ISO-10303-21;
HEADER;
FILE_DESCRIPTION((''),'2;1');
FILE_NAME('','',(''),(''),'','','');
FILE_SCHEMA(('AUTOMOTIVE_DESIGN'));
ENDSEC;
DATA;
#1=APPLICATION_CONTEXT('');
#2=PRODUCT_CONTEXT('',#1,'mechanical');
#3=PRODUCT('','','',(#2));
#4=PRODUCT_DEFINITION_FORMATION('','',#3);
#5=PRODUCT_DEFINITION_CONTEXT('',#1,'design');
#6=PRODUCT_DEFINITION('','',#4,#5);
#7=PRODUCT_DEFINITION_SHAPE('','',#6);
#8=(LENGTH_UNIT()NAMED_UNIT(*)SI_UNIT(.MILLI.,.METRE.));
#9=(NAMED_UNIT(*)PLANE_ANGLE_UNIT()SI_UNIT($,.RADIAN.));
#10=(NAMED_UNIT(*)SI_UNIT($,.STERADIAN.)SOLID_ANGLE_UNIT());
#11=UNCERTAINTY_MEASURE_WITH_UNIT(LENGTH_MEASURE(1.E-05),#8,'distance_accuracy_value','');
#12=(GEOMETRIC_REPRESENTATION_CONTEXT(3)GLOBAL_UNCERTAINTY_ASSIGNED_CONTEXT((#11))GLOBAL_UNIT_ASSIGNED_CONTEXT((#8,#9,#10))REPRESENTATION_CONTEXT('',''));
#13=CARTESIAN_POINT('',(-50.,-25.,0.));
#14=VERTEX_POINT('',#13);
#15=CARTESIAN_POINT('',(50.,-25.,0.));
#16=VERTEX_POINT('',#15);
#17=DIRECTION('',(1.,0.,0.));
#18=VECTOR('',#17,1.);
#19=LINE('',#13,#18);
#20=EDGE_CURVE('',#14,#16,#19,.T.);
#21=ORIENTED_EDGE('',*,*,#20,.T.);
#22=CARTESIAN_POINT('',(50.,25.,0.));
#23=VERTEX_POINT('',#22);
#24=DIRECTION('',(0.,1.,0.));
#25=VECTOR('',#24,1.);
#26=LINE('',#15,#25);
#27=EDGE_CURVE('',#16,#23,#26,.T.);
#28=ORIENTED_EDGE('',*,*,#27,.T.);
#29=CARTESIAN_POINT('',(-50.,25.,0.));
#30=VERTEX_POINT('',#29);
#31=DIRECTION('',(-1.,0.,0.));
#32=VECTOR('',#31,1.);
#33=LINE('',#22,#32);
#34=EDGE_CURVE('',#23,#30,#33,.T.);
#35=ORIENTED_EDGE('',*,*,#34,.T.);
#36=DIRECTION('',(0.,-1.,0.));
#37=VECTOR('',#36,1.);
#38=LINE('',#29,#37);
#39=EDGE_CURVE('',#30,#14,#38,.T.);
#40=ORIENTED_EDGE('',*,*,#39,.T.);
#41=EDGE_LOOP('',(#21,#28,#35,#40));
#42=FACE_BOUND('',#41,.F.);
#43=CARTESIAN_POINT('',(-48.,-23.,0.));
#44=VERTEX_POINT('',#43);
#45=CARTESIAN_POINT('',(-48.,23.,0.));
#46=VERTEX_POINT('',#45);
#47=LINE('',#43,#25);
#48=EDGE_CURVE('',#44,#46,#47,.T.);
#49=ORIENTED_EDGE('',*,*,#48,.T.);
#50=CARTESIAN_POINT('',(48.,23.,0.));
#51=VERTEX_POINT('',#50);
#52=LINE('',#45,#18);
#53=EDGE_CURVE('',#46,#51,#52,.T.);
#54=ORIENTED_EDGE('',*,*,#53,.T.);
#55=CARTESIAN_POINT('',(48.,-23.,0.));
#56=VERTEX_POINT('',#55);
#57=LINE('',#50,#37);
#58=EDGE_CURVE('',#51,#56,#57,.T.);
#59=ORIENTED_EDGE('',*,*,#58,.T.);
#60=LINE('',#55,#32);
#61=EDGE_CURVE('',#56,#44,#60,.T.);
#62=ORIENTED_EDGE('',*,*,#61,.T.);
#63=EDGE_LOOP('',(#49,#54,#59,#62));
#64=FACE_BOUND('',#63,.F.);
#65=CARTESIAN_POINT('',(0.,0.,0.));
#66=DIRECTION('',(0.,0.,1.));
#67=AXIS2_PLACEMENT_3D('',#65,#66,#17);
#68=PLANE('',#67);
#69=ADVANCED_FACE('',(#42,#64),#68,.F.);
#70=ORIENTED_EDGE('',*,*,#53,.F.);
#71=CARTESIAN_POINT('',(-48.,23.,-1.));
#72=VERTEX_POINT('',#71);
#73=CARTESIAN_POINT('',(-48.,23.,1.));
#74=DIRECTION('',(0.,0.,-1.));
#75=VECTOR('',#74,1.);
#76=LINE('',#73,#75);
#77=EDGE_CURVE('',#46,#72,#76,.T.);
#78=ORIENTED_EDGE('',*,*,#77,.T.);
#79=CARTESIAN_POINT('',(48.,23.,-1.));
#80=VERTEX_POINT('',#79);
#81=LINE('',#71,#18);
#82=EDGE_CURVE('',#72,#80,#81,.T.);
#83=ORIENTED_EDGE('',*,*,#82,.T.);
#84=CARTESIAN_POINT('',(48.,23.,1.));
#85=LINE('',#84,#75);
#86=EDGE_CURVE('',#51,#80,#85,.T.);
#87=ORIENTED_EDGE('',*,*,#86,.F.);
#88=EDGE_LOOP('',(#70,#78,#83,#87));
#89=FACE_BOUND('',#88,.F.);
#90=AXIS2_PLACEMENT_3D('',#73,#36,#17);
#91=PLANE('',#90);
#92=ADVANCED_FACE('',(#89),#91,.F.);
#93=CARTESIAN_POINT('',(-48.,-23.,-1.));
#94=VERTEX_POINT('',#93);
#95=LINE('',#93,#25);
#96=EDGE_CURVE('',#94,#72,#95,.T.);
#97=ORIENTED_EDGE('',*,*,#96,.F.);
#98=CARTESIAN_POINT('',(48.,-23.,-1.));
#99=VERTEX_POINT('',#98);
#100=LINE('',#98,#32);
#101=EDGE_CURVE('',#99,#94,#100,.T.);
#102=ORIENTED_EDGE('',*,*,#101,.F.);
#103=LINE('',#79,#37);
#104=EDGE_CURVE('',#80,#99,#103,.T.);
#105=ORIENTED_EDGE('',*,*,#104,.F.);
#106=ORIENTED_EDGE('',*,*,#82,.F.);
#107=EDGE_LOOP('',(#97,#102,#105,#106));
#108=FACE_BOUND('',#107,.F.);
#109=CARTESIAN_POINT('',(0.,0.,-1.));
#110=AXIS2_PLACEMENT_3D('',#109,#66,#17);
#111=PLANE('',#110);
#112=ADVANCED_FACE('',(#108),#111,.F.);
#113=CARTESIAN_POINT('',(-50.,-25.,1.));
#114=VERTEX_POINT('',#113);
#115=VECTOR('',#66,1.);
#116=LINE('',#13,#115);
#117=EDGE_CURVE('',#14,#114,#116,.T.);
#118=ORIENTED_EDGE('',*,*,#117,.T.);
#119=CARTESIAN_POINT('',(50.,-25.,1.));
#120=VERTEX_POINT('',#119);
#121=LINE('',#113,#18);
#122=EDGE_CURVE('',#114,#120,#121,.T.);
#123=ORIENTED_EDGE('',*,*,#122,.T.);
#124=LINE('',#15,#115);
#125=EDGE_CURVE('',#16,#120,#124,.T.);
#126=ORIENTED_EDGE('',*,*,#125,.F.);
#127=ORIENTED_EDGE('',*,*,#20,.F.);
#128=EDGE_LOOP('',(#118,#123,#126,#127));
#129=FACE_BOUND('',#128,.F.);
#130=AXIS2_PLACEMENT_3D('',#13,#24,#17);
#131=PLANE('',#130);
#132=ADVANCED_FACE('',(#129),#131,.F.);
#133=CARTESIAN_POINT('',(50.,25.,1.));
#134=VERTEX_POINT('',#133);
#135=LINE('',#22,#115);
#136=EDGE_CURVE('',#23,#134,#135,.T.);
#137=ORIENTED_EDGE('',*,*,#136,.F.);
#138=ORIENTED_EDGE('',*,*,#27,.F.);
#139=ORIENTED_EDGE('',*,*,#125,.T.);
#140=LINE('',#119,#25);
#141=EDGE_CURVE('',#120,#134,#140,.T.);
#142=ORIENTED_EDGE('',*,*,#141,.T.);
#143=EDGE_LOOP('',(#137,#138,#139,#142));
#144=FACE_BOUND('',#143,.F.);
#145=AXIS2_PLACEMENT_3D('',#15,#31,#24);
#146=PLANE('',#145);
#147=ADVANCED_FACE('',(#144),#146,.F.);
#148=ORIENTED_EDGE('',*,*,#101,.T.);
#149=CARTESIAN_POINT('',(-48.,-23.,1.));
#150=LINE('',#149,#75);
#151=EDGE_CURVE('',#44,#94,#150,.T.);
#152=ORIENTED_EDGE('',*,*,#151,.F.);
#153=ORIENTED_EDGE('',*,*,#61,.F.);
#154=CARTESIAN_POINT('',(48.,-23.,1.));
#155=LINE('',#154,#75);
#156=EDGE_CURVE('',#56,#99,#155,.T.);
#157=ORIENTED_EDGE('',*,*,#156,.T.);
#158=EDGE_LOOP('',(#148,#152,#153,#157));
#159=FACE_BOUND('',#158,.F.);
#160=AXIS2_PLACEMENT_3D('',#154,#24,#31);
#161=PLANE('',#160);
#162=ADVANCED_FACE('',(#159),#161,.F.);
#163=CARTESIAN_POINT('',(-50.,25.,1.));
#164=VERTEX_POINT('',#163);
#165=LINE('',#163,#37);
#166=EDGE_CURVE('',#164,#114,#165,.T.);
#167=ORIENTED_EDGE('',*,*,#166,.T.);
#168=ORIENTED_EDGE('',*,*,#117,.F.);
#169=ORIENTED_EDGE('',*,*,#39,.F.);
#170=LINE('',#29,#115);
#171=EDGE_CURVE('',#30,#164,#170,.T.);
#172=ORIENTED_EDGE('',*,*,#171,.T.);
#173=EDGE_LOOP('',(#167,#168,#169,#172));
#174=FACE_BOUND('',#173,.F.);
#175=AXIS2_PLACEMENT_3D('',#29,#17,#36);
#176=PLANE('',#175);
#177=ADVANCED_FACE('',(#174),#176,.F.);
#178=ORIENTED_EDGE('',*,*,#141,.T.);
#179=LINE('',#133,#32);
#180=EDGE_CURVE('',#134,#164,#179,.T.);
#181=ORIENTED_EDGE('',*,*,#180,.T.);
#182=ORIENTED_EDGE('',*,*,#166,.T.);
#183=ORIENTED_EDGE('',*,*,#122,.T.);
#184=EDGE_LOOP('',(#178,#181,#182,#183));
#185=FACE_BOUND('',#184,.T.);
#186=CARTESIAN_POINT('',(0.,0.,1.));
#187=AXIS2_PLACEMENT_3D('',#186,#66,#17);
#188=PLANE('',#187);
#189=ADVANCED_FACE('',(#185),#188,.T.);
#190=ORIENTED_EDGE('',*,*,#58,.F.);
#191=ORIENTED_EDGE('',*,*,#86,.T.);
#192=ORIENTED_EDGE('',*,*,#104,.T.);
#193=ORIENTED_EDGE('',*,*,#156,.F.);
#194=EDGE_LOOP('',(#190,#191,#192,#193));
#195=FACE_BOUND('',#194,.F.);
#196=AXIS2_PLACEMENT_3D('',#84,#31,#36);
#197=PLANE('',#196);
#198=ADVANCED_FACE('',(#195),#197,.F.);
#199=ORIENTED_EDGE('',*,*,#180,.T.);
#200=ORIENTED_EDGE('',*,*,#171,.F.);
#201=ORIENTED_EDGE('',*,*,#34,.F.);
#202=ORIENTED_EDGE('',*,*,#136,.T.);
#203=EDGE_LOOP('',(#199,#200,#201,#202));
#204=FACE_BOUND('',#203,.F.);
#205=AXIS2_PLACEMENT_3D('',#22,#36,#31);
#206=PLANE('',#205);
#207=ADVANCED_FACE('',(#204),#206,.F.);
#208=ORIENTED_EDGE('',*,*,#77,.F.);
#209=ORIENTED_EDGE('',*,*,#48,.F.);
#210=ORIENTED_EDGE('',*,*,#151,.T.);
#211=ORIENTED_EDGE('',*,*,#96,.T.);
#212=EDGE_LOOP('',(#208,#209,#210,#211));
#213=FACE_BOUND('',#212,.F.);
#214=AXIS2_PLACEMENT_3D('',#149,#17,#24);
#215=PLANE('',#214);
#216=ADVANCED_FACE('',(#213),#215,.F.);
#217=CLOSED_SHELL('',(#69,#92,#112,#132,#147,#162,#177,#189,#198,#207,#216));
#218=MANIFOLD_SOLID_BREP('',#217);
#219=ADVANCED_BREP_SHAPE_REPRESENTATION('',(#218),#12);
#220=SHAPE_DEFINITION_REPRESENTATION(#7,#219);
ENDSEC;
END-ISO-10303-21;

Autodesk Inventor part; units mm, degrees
ref_plane "YZ Plane" through (0, 0, 0) normal (1, 0, 0) x (0, 1, 0)
ref_plane "XZ Plane" through (0, 0, 0) normal (0, 1, 0) x (-1, 0, 0)
ref_plane "XY Plane" through (0, 0, 0) normal (0, 0, 1) x (1, 0, 0)
sketch "Náčrt1" plane through (0, 0, 0) normal (0, 0, 1) x (1, 0, 0)
  line L0 (-48, 23) -> (48, 23) projected
  line L1 (48, 23) -> (48, -23) projected
  line L2 (48, -23) -> (-48, -23) projected
  line L3 (-48, -23) -> (-48, 23) projected
  line L4 (50, -25) -> (50, 25) projected
  line L5 (50, 25) -> (-50, 25) projected
  line L6 (-50, 25) -> (-50, -25) projected
  line L7 (-50, -25) -> (50, -25) projected
  line L8 (50, 25) -> (-50, 25) projected
  line L9 (50, 25) -> (-50, 25) projected
  line L10 (48, 23) -> (48, -23) projected
  line L11 (-48, 23) -> (48, 23) projected
  line L12 (-48, -23) -> (-48, 23) projected
  line L13 (48, -23) -> (-48, -23) projected
  circle A0 centre (40, 15) radius 4 projected
  circle A1 centre (-40, 15) radius 4 projected
  circle A2 centre (40, -15) radius 4 projected
  line L14 (-37.1395, -17.796) -> (-39.613, -18.9812) projected
  arc A3 (-37.1395, -17.796) -> (-39.613, -18.9812) centre (-40, -15) ccw projected
  point P0 (0, 0)
extrude "Vysunutí1" add sketch "Náčrt1" along normal blind 1 contours L7 L6 L5 L4
sketch "Náčrt2" plane through (0, 0, 1) normal (0, 0, 1) x (1, 0, 0)
  line L0 (-48, 23) -> (48, 23) projected
  line L1 (48, 23) -> (48, -23) projected
  line L2 (-48, 23) -> (48, 23) projected
  line L3 (-48, -23) -> (-48, 23) projected
  line L4 (48, -23) -> (-48, -23) projected
  circle A0 centre (40, 15) radius 4 projected
  circle A1 centre (-40, 15) radius 4 projected
  circle A2 centre (40, -15) radius 4 projected
  line L5 (-37.1395, -17.796) -> (-39.613, -18.9812) projected
  arc A3 (-37.1395, -17.796) -> (-39.613, -18.9812) centre (-40, -15) ccw projected
  point P0 (0, 0)
extrude "Vysunutí2" add sketch "Náčrt2" against normal blind 2 contours L0 L1 L4 L3 | A0 | A1 | A2 | L5 A3
properties part number "top"
